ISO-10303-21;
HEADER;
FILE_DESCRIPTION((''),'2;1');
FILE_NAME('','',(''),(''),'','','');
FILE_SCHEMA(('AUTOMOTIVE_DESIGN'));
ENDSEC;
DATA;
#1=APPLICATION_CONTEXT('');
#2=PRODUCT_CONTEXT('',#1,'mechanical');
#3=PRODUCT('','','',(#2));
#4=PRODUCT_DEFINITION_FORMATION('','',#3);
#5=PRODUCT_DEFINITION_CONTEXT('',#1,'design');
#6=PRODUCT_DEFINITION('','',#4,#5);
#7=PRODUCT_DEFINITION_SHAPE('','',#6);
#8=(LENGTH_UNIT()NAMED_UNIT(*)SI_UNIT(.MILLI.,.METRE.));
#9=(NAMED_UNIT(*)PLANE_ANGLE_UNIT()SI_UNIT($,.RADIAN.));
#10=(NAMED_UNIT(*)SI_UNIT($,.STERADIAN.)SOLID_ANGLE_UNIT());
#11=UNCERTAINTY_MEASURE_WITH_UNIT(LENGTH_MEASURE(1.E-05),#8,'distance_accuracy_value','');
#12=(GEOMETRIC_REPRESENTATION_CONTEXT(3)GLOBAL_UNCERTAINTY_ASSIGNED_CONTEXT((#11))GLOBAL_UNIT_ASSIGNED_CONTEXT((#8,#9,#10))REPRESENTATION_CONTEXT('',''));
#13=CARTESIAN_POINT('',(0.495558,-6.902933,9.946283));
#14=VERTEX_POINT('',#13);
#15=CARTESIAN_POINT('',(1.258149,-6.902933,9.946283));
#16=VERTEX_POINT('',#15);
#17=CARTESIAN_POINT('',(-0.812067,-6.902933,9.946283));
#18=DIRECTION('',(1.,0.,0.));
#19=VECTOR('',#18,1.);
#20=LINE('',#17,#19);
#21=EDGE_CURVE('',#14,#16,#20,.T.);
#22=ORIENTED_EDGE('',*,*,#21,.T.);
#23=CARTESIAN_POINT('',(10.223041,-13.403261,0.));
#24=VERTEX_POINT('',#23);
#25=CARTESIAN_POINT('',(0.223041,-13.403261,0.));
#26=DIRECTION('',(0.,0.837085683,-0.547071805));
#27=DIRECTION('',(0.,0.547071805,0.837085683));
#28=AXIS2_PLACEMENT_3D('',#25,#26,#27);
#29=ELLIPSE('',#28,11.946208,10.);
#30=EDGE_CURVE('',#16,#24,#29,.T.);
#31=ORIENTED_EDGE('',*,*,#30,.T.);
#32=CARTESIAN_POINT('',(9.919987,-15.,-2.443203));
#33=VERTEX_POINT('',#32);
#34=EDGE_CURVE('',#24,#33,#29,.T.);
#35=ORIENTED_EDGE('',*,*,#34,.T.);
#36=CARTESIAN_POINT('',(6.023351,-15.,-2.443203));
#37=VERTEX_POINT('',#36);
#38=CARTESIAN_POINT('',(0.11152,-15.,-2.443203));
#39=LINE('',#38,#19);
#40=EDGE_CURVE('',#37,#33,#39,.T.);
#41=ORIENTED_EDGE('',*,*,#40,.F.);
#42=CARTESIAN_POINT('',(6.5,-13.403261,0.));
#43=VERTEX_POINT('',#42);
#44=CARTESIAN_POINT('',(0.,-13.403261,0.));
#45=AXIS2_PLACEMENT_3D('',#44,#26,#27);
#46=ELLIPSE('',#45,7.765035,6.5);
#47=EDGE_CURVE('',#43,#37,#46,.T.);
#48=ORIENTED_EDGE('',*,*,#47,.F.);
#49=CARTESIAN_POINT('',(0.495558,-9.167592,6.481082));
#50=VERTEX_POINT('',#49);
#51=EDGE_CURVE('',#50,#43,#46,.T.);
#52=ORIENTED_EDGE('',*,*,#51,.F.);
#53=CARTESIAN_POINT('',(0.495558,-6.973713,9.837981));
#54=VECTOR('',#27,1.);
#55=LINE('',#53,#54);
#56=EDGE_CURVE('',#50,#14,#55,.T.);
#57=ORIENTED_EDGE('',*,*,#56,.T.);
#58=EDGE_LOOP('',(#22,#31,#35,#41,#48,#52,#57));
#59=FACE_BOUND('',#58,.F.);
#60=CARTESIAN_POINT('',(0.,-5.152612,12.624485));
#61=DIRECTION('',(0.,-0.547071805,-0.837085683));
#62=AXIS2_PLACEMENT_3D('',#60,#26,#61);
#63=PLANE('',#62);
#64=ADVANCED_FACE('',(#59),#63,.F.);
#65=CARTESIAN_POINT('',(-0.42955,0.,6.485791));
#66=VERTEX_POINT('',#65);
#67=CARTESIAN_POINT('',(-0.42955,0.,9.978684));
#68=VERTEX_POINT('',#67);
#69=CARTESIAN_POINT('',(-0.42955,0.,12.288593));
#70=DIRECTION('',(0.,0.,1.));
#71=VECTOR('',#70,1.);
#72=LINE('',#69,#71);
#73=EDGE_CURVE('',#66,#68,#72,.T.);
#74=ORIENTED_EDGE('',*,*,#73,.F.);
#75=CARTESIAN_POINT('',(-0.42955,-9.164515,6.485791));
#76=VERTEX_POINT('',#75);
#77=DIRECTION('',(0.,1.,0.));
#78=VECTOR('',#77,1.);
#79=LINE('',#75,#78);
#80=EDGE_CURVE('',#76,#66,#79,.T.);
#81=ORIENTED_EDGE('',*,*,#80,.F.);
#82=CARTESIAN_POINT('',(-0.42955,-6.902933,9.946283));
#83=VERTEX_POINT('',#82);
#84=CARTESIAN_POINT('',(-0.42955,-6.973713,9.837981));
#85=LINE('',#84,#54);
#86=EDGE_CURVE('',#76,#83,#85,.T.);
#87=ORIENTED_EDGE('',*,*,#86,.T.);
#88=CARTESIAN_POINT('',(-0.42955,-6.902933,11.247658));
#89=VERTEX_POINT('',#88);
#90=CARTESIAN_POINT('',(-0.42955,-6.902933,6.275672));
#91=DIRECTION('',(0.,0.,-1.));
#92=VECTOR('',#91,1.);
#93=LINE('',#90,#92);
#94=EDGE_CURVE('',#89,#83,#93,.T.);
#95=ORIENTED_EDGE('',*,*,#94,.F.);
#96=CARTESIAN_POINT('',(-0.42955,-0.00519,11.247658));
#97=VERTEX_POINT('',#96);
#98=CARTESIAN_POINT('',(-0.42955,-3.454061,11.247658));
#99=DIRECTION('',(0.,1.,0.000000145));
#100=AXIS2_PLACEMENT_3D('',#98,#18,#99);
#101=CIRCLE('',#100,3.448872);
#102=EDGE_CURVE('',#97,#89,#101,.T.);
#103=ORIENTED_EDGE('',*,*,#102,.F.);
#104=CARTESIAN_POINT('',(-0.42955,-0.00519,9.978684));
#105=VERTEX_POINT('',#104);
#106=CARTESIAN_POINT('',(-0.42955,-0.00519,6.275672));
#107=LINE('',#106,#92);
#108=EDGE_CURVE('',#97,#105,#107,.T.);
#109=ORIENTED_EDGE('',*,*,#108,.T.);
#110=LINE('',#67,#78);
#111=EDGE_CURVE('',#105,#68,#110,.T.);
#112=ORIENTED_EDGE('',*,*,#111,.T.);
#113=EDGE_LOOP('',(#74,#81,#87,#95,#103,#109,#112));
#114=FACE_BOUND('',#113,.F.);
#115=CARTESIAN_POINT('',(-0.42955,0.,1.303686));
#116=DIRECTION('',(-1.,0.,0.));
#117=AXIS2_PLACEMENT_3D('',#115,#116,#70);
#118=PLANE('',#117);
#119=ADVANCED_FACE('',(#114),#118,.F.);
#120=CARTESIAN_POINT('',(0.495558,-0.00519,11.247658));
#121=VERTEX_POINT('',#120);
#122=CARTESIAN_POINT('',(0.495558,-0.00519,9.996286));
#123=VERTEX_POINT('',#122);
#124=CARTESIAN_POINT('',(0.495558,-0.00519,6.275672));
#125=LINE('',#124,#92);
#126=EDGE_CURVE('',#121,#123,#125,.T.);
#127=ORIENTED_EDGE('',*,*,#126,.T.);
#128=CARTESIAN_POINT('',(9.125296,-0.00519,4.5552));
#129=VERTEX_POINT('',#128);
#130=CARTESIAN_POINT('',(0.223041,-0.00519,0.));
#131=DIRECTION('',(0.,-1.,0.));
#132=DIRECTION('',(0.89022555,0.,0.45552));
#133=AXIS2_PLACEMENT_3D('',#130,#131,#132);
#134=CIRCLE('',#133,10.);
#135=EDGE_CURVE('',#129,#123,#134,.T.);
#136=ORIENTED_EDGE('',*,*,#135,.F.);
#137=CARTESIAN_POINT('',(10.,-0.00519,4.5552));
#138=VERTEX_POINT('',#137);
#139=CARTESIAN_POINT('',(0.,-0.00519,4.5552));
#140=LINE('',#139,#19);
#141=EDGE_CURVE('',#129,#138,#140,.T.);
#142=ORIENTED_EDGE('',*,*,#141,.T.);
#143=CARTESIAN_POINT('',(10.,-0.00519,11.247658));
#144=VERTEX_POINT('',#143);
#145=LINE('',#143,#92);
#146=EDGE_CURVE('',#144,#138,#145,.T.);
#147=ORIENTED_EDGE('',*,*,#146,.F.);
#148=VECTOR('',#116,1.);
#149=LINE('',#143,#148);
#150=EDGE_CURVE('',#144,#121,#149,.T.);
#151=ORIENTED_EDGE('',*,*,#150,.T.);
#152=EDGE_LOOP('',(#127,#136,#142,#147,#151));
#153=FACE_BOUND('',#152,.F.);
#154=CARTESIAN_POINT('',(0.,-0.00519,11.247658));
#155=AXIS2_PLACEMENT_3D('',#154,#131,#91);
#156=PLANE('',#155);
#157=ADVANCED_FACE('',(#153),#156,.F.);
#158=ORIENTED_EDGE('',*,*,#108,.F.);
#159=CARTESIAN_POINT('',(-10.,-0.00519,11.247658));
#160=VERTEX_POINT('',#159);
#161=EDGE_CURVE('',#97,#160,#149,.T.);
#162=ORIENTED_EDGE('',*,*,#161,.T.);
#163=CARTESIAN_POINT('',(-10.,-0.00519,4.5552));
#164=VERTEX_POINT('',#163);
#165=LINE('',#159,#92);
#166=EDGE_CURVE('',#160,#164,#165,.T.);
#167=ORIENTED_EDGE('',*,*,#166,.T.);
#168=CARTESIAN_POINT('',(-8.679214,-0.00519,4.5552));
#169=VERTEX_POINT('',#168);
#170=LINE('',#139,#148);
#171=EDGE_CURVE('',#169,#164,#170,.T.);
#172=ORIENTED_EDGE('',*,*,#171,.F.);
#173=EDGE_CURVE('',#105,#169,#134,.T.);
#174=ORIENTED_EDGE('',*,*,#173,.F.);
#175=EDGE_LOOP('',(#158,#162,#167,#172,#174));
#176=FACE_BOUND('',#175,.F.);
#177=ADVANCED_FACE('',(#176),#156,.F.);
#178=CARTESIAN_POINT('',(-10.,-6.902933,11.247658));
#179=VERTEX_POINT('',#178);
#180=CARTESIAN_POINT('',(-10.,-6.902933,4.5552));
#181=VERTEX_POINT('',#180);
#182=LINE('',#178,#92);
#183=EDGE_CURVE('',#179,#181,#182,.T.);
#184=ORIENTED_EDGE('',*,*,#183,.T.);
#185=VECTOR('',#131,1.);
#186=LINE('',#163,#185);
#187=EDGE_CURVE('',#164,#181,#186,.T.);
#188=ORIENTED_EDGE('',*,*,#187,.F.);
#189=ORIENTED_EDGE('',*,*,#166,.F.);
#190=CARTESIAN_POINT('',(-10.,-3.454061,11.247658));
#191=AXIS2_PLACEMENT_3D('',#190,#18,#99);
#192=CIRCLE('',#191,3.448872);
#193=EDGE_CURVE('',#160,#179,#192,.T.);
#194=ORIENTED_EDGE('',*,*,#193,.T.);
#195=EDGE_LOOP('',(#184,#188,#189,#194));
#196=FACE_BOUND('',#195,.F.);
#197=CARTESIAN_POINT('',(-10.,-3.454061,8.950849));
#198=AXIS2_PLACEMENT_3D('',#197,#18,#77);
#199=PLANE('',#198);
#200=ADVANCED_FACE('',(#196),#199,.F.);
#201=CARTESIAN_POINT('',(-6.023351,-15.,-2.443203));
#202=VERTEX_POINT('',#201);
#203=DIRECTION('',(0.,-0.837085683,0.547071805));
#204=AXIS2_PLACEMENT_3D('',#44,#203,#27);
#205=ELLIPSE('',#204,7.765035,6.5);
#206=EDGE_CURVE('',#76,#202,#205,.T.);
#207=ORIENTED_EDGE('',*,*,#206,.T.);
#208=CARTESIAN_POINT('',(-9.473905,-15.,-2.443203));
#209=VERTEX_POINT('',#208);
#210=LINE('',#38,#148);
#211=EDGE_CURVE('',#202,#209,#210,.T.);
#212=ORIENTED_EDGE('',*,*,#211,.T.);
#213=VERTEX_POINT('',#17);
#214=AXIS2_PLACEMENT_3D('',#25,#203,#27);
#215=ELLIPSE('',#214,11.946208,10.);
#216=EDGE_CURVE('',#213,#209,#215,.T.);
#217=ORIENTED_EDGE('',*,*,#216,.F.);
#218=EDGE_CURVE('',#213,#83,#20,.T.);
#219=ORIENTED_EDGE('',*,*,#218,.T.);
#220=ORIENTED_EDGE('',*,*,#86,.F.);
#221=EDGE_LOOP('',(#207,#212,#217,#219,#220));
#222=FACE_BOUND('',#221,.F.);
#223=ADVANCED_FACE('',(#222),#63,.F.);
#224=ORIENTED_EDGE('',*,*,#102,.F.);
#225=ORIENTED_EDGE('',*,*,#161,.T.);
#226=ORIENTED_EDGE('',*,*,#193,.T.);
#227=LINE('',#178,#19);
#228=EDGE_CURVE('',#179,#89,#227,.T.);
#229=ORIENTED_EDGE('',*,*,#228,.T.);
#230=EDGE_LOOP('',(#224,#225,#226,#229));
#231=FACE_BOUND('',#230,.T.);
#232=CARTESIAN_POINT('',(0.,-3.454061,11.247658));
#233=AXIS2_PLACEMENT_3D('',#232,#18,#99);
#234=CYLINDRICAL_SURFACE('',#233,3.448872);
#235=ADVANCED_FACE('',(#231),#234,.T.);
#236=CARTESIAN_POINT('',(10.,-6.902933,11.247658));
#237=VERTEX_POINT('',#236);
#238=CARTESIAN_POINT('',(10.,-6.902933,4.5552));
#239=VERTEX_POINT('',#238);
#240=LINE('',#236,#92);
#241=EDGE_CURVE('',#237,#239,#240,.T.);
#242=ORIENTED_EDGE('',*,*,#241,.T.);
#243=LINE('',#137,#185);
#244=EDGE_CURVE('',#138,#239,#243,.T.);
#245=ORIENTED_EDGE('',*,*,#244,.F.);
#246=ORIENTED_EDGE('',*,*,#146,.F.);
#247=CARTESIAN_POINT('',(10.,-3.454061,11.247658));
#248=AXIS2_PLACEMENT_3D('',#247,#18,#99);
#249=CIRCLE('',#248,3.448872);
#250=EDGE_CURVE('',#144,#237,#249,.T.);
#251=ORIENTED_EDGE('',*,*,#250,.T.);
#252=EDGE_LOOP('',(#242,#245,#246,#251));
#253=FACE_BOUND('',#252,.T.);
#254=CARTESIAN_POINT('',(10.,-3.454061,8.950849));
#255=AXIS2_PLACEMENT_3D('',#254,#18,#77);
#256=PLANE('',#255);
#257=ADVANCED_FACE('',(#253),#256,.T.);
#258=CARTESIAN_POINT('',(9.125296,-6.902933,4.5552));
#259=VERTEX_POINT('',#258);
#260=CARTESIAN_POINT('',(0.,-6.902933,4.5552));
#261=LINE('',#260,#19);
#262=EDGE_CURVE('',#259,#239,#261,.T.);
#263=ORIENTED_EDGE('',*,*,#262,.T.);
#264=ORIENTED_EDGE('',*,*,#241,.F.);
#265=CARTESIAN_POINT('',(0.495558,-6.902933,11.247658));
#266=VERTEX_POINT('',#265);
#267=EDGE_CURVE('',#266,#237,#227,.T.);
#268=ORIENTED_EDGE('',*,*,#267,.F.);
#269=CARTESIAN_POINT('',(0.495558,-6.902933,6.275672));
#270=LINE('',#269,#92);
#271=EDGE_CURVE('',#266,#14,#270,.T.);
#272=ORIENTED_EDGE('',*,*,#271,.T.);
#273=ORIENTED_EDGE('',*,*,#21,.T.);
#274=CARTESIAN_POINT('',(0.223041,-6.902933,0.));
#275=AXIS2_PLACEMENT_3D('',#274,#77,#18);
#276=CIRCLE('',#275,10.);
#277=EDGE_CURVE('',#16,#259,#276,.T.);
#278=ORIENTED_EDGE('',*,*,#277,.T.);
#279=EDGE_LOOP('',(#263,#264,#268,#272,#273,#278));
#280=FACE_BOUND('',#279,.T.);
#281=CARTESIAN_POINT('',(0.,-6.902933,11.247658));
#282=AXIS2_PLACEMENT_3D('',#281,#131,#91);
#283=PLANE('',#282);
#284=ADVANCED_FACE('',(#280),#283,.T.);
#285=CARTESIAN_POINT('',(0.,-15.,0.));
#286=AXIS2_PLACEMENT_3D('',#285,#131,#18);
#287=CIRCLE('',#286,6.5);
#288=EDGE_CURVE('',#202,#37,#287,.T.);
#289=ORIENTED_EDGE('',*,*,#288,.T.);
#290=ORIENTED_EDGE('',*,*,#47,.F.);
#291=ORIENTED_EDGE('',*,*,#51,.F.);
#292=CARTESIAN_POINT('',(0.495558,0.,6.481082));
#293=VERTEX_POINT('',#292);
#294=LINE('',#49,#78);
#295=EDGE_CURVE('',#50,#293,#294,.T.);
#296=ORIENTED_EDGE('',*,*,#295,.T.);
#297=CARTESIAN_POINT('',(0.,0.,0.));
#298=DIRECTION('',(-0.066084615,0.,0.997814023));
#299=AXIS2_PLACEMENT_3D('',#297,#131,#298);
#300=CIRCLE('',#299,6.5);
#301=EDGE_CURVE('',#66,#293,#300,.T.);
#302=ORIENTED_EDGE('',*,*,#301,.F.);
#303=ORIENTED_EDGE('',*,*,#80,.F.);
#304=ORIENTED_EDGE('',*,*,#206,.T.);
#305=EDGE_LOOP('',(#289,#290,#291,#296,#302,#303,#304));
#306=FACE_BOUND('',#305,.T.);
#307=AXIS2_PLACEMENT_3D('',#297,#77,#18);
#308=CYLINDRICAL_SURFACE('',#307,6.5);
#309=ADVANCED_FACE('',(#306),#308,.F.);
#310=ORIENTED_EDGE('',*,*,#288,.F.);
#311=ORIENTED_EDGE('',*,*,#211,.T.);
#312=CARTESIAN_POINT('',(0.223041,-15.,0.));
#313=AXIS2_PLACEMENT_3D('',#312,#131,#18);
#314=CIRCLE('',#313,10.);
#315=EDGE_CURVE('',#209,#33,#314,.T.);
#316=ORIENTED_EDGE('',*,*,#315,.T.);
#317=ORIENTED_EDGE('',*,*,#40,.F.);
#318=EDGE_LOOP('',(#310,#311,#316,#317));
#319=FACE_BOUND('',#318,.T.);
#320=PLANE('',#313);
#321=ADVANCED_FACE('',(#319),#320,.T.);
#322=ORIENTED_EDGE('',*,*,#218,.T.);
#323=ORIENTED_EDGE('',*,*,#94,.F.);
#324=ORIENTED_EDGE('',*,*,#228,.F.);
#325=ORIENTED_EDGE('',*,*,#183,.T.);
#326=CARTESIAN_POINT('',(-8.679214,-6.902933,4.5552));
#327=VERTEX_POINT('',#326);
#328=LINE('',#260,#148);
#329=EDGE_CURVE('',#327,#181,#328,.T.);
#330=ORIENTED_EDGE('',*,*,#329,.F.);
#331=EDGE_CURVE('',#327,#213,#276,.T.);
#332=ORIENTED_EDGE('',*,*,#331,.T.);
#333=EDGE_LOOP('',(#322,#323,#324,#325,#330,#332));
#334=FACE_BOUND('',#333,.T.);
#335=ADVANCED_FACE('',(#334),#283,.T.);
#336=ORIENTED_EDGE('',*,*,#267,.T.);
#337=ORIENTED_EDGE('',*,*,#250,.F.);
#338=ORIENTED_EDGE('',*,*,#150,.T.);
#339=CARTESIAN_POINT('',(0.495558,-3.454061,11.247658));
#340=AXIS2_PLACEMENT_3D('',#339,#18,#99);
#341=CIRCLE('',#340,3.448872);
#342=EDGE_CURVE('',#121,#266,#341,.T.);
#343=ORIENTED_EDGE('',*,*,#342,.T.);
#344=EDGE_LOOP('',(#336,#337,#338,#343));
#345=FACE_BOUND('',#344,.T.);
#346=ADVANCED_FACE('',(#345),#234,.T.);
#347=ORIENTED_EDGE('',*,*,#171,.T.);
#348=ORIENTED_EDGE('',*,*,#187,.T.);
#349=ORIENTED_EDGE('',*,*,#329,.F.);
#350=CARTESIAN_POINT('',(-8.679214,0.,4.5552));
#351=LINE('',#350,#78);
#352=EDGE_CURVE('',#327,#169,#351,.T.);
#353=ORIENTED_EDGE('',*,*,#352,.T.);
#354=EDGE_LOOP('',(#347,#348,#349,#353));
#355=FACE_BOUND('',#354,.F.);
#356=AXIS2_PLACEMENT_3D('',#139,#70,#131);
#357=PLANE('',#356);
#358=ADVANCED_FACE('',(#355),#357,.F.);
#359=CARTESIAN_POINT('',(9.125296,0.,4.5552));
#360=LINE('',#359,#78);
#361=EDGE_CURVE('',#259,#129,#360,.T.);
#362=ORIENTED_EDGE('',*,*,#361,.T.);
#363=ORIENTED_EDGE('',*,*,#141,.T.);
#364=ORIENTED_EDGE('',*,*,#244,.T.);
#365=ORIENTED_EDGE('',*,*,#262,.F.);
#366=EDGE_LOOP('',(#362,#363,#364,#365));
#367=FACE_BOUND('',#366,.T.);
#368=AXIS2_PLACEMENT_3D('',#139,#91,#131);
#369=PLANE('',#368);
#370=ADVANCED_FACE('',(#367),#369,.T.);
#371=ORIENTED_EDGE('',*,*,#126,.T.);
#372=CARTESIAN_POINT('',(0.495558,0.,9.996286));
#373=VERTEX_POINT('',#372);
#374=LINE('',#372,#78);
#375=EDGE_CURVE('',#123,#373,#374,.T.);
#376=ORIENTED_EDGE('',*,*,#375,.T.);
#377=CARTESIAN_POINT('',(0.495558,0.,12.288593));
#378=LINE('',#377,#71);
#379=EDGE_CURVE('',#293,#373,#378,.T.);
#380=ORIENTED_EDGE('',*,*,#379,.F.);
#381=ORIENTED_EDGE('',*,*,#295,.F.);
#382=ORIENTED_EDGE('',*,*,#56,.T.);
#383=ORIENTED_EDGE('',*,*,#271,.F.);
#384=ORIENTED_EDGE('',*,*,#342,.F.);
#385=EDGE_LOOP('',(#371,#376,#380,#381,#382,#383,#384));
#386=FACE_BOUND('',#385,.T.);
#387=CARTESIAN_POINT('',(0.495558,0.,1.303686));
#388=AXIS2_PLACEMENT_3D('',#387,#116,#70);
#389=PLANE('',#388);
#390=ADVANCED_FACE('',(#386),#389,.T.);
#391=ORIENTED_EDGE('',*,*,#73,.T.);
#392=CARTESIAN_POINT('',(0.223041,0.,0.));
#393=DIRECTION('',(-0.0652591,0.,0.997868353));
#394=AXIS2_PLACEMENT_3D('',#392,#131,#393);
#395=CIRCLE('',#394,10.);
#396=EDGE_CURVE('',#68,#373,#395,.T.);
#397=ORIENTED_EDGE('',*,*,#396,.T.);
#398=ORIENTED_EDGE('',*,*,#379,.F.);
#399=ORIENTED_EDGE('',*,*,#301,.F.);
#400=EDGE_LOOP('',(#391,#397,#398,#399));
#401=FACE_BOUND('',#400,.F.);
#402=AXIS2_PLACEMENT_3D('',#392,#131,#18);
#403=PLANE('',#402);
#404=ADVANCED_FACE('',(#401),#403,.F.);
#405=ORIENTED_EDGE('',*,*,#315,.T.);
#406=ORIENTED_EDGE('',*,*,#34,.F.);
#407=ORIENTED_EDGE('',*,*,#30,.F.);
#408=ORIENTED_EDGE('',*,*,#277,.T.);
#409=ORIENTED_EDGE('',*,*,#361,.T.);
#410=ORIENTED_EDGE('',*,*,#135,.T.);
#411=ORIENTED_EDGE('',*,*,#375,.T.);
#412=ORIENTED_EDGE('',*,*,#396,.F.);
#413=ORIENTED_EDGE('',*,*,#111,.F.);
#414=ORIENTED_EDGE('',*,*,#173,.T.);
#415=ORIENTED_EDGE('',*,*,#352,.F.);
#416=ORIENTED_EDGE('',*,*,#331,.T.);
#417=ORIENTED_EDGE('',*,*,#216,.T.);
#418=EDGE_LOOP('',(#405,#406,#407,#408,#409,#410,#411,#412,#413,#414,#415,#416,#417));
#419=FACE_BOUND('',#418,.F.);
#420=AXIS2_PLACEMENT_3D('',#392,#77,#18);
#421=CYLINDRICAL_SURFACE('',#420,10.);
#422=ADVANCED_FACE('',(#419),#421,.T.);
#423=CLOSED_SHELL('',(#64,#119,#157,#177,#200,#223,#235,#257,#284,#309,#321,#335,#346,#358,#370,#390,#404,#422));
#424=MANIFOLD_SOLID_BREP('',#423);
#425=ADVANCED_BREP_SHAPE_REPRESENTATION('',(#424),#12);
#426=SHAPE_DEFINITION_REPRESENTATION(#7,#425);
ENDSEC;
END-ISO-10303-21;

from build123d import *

# Parameters (mm, degrees)
SKETCH_R             = 10
SKETCH_R_2           = 6.5
PAD_DEPTH            = 15
POCKET_DEPTH         = 15
POCKET_DEPTH_BACK    = -15
PAD001_DEPTH         = 10
PAD001_DEPTH_BACK    = 10
SKETCH003_W          = 0.925108
SKETCH003_H          = 21.969815
POCKET001_DEPTH      = 15
POCKET001_DEPTH_BACK = -15
SKETCH004_R          = 6.5
POCKET002_DEPTH      = 15
POCKET002_DEPTH_BACK = -15


with BuildPart() as part:
    # Sketch (on XZ_Plane of Origin) → Pad (new body)
    with BuildSketch(Plane.XZ):
        with Locations((0.223041, 0)):
            Circle(SKETCH_R)
        Circle(SKETCH_R_2, mode=Mode.SUBTRACT)
    extrude(amount=PAD_DEPTH)

    # Sketch001 (on YZ_Plane of Origin) → Pocket (cut, two sides)
    with BuildSketch(Plane.YZ) as pocket_sk:
        Polygon((-5.152612, 12.624485), (-17.571489, -6.377891), (-30.254476, 15.01538), (-10.204725, 21.22482), align=None)
    extrude(amount=-POCKET_DEPTH, mode=Mode.SUBTRACT)
    extrude(pocket_sk.sketch, amount=-POCKET_DEPTH_BACK, mode=Mode.SUBTRACT)

    # Sketch002 (on YZ_Plane of Origin) → Pad001 (join, two sides)
    with BuildSketch(Plane.YZ) as pad001_sk:
        with BuildLine():
            ThreePointArc((-0.00519, 11.247658), (-3.454061, 14.696529), (-6.902933, 11.247658))
            Line((-6.902933, 11.247658), (-6.902933, 4.5552))
            Line((-0.00519, 4.5552), (-6.902933, 4.5552))
            Line((-0.00519, 11.247658), (-0.00519, 4.5552))
        make_face()
    extrude(amount=PAD001_DEPTH)
    extrude(pad001_sk.sketch, amount=-PAD001_DEPTH_BACK)

    # Sketch003 (on XZ_Plane of Origin) → Pocket001 (cut, two sides)
    with BuildSketch(Plane.XZ) as pocket001_sk:
        with Locations((0.033004, 12.288593)):
            Rectangle(SKETCH003_W, SKETCH003_H)
    extrude(amount=-POCKET001_DEPTH, mode=Mode.SUBTRACT)
    extrude(pocket001_sk.sketch, amount=-POCKET001_DEPTH_BACK, mode=Mode.SUBTRACT)

    # Sketch004 (on XZ_Plane of Origin) → Pocket002 (cut, two sides)
    with BuildSketch(Plane.XZ) as pocket002_sk:
        Circle(SKETCH004_R)
    extrude(amount=-POCKET002_DEPTH, mode=Mode.SUBTRACT)
    extrude(pocket002_sk.sketch, amount=-POCKET002_DEPTH_BACK, mode=Mode.SUBTRACT)


solid = part.part
